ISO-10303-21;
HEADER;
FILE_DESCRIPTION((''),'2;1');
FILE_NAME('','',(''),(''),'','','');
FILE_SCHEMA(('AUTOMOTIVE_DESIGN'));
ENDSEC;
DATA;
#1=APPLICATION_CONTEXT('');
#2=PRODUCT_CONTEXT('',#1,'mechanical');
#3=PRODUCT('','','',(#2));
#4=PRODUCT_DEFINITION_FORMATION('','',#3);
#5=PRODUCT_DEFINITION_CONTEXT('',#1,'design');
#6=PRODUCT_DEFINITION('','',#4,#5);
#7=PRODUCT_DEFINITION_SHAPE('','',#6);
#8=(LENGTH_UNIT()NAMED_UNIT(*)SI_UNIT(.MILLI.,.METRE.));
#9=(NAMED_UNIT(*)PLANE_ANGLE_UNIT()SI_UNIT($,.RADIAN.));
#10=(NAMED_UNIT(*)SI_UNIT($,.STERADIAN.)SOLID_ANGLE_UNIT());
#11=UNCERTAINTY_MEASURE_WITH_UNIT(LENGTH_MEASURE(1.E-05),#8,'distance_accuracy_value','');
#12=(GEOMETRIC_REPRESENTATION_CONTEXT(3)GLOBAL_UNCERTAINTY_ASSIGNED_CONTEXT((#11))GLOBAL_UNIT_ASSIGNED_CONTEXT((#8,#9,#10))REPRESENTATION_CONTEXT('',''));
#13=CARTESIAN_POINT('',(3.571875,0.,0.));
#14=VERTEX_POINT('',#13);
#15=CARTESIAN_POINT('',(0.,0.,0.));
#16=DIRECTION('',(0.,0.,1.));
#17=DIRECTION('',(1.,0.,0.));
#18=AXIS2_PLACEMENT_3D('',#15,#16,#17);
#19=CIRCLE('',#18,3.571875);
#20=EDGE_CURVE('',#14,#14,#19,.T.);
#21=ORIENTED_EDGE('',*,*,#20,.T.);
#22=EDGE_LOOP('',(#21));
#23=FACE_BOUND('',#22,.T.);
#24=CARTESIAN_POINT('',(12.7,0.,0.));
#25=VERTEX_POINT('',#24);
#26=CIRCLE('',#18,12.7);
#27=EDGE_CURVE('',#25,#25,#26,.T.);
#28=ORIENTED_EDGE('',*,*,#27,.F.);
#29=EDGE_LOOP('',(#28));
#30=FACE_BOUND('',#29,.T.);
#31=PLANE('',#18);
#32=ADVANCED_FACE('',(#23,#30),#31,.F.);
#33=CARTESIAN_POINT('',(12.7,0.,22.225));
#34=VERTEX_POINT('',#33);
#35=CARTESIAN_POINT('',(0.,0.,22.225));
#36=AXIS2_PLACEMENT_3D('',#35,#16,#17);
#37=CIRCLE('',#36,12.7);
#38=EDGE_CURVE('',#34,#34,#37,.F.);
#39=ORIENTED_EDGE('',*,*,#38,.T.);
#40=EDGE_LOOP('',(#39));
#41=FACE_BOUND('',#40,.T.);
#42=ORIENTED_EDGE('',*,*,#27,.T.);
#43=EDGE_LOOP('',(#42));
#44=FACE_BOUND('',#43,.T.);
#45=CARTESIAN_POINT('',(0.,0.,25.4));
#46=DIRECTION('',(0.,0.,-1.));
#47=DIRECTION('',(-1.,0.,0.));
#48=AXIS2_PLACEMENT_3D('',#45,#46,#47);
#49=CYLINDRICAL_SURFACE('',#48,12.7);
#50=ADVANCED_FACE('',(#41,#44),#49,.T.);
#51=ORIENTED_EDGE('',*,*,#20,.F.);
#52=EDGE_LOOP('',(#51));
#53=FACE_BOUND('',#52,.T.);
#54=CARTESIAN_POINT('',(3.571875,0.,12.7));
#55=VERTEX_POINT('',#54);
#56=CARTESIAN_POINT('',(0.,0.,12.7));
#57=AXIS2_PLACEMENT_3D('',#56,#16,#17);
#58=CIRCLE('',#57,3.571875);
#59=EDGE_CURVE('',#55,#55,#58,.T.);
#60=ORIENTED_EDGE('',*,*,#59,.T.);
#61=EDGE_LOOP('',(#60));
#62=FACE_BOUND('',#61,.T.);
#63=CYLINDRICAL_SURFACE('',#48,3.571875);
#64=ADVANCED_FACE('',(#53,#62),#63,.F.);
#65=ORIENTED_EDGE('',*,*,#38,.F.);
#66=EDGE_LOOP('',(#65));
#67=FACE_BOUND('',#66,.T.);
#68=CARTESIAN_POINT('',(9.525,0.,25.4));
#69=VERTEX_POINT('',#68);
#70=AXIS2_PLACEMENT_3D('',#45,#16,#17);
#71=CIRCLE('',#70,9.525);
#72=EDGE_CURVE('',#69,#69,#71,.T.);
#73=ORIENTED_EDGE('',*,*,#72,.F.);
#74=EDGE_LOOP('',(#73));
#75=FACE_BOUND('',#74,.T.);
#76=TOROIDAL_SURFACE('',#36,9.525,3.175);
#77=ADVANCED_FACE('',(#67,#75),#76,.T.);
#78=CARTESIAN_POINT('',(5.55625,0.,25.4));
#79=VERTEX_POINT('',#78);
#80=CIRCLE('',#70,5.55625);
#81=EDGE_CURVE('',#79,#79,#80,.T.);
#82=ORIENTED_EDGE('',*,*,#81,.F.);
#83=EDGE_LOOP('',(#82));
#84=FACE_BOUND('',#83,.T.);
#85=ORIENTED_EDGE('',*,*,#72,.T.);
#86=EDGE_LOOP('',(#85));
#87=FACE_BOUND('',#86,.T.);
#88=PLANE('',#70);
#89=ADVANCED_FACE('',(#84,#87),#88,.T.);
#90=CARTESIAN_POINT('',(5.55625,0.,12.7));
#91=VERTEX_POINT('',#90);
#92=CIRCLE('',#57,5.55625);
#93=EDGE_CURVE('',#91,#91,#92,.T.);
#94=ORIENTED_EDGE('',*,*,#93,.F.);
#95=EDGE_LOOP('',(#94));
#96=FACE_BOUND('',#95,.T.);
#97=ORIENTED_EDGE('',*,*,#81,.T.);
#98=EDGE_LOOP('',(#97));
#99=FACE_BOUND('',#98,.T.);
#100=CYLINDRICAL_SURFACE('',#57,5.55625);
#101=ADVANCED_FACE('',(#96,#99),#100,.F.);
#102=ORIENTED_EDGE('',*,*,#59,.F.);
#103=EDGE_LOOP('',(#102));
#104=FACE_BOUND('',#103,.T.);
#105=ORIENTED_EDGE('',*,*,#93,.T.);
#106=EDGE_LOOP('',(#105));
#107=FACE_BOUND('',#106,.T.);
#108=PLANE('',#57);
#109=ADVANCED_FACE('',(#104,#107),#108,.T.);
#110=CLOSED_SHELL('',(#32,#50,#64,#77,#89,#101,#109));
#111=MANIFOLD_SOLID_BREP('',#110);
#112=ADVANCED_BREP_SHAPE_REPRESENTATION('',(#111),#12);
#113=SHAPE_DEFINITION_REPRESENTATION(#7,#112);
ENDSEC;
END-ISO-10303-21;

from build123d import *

# Parameters (mm, degrees)
SKETCH1_R           = 12.7
SKETCH1_R_2         = 3.571875
BOSS_EXTRUDE1_DEPTH = 25.4
SKETCH2_R           = 5.55625
CUT_EXTRUDE1_DEPTH  = 12.7
FILLET1_R           = 3.175


with BuildPart() as part:
    # Sketch1 → Boss-Extrude1 (new body)
    with BuildSketch(Plane.XY):
        Circle(SKETCH1_R)
        Circle(SKETCH1_R_2, mode=Mode.SUBTRACT)
    extrude(amount=BOSS_EXTRUDE1_DEPTH)

    # Sketch2 → Cut-Extrude1 (cut)
    with BuildSketch(Plane.XY.offset(25.4)):
        Circle(SKETCH2_R)
    extrude(amount=-CUT_EXTRUDE1_DEPTH, mode=Mode.SUBTRACT)

    # Fillet1
    fillet1_edges = [part.edges().sort_by_distance(p)[0] for p in [
        (-12.7, 0, 25.4),
    ]]
    fillet(fillet1_edges, radius=FILLET1_R)


solid = part.part
